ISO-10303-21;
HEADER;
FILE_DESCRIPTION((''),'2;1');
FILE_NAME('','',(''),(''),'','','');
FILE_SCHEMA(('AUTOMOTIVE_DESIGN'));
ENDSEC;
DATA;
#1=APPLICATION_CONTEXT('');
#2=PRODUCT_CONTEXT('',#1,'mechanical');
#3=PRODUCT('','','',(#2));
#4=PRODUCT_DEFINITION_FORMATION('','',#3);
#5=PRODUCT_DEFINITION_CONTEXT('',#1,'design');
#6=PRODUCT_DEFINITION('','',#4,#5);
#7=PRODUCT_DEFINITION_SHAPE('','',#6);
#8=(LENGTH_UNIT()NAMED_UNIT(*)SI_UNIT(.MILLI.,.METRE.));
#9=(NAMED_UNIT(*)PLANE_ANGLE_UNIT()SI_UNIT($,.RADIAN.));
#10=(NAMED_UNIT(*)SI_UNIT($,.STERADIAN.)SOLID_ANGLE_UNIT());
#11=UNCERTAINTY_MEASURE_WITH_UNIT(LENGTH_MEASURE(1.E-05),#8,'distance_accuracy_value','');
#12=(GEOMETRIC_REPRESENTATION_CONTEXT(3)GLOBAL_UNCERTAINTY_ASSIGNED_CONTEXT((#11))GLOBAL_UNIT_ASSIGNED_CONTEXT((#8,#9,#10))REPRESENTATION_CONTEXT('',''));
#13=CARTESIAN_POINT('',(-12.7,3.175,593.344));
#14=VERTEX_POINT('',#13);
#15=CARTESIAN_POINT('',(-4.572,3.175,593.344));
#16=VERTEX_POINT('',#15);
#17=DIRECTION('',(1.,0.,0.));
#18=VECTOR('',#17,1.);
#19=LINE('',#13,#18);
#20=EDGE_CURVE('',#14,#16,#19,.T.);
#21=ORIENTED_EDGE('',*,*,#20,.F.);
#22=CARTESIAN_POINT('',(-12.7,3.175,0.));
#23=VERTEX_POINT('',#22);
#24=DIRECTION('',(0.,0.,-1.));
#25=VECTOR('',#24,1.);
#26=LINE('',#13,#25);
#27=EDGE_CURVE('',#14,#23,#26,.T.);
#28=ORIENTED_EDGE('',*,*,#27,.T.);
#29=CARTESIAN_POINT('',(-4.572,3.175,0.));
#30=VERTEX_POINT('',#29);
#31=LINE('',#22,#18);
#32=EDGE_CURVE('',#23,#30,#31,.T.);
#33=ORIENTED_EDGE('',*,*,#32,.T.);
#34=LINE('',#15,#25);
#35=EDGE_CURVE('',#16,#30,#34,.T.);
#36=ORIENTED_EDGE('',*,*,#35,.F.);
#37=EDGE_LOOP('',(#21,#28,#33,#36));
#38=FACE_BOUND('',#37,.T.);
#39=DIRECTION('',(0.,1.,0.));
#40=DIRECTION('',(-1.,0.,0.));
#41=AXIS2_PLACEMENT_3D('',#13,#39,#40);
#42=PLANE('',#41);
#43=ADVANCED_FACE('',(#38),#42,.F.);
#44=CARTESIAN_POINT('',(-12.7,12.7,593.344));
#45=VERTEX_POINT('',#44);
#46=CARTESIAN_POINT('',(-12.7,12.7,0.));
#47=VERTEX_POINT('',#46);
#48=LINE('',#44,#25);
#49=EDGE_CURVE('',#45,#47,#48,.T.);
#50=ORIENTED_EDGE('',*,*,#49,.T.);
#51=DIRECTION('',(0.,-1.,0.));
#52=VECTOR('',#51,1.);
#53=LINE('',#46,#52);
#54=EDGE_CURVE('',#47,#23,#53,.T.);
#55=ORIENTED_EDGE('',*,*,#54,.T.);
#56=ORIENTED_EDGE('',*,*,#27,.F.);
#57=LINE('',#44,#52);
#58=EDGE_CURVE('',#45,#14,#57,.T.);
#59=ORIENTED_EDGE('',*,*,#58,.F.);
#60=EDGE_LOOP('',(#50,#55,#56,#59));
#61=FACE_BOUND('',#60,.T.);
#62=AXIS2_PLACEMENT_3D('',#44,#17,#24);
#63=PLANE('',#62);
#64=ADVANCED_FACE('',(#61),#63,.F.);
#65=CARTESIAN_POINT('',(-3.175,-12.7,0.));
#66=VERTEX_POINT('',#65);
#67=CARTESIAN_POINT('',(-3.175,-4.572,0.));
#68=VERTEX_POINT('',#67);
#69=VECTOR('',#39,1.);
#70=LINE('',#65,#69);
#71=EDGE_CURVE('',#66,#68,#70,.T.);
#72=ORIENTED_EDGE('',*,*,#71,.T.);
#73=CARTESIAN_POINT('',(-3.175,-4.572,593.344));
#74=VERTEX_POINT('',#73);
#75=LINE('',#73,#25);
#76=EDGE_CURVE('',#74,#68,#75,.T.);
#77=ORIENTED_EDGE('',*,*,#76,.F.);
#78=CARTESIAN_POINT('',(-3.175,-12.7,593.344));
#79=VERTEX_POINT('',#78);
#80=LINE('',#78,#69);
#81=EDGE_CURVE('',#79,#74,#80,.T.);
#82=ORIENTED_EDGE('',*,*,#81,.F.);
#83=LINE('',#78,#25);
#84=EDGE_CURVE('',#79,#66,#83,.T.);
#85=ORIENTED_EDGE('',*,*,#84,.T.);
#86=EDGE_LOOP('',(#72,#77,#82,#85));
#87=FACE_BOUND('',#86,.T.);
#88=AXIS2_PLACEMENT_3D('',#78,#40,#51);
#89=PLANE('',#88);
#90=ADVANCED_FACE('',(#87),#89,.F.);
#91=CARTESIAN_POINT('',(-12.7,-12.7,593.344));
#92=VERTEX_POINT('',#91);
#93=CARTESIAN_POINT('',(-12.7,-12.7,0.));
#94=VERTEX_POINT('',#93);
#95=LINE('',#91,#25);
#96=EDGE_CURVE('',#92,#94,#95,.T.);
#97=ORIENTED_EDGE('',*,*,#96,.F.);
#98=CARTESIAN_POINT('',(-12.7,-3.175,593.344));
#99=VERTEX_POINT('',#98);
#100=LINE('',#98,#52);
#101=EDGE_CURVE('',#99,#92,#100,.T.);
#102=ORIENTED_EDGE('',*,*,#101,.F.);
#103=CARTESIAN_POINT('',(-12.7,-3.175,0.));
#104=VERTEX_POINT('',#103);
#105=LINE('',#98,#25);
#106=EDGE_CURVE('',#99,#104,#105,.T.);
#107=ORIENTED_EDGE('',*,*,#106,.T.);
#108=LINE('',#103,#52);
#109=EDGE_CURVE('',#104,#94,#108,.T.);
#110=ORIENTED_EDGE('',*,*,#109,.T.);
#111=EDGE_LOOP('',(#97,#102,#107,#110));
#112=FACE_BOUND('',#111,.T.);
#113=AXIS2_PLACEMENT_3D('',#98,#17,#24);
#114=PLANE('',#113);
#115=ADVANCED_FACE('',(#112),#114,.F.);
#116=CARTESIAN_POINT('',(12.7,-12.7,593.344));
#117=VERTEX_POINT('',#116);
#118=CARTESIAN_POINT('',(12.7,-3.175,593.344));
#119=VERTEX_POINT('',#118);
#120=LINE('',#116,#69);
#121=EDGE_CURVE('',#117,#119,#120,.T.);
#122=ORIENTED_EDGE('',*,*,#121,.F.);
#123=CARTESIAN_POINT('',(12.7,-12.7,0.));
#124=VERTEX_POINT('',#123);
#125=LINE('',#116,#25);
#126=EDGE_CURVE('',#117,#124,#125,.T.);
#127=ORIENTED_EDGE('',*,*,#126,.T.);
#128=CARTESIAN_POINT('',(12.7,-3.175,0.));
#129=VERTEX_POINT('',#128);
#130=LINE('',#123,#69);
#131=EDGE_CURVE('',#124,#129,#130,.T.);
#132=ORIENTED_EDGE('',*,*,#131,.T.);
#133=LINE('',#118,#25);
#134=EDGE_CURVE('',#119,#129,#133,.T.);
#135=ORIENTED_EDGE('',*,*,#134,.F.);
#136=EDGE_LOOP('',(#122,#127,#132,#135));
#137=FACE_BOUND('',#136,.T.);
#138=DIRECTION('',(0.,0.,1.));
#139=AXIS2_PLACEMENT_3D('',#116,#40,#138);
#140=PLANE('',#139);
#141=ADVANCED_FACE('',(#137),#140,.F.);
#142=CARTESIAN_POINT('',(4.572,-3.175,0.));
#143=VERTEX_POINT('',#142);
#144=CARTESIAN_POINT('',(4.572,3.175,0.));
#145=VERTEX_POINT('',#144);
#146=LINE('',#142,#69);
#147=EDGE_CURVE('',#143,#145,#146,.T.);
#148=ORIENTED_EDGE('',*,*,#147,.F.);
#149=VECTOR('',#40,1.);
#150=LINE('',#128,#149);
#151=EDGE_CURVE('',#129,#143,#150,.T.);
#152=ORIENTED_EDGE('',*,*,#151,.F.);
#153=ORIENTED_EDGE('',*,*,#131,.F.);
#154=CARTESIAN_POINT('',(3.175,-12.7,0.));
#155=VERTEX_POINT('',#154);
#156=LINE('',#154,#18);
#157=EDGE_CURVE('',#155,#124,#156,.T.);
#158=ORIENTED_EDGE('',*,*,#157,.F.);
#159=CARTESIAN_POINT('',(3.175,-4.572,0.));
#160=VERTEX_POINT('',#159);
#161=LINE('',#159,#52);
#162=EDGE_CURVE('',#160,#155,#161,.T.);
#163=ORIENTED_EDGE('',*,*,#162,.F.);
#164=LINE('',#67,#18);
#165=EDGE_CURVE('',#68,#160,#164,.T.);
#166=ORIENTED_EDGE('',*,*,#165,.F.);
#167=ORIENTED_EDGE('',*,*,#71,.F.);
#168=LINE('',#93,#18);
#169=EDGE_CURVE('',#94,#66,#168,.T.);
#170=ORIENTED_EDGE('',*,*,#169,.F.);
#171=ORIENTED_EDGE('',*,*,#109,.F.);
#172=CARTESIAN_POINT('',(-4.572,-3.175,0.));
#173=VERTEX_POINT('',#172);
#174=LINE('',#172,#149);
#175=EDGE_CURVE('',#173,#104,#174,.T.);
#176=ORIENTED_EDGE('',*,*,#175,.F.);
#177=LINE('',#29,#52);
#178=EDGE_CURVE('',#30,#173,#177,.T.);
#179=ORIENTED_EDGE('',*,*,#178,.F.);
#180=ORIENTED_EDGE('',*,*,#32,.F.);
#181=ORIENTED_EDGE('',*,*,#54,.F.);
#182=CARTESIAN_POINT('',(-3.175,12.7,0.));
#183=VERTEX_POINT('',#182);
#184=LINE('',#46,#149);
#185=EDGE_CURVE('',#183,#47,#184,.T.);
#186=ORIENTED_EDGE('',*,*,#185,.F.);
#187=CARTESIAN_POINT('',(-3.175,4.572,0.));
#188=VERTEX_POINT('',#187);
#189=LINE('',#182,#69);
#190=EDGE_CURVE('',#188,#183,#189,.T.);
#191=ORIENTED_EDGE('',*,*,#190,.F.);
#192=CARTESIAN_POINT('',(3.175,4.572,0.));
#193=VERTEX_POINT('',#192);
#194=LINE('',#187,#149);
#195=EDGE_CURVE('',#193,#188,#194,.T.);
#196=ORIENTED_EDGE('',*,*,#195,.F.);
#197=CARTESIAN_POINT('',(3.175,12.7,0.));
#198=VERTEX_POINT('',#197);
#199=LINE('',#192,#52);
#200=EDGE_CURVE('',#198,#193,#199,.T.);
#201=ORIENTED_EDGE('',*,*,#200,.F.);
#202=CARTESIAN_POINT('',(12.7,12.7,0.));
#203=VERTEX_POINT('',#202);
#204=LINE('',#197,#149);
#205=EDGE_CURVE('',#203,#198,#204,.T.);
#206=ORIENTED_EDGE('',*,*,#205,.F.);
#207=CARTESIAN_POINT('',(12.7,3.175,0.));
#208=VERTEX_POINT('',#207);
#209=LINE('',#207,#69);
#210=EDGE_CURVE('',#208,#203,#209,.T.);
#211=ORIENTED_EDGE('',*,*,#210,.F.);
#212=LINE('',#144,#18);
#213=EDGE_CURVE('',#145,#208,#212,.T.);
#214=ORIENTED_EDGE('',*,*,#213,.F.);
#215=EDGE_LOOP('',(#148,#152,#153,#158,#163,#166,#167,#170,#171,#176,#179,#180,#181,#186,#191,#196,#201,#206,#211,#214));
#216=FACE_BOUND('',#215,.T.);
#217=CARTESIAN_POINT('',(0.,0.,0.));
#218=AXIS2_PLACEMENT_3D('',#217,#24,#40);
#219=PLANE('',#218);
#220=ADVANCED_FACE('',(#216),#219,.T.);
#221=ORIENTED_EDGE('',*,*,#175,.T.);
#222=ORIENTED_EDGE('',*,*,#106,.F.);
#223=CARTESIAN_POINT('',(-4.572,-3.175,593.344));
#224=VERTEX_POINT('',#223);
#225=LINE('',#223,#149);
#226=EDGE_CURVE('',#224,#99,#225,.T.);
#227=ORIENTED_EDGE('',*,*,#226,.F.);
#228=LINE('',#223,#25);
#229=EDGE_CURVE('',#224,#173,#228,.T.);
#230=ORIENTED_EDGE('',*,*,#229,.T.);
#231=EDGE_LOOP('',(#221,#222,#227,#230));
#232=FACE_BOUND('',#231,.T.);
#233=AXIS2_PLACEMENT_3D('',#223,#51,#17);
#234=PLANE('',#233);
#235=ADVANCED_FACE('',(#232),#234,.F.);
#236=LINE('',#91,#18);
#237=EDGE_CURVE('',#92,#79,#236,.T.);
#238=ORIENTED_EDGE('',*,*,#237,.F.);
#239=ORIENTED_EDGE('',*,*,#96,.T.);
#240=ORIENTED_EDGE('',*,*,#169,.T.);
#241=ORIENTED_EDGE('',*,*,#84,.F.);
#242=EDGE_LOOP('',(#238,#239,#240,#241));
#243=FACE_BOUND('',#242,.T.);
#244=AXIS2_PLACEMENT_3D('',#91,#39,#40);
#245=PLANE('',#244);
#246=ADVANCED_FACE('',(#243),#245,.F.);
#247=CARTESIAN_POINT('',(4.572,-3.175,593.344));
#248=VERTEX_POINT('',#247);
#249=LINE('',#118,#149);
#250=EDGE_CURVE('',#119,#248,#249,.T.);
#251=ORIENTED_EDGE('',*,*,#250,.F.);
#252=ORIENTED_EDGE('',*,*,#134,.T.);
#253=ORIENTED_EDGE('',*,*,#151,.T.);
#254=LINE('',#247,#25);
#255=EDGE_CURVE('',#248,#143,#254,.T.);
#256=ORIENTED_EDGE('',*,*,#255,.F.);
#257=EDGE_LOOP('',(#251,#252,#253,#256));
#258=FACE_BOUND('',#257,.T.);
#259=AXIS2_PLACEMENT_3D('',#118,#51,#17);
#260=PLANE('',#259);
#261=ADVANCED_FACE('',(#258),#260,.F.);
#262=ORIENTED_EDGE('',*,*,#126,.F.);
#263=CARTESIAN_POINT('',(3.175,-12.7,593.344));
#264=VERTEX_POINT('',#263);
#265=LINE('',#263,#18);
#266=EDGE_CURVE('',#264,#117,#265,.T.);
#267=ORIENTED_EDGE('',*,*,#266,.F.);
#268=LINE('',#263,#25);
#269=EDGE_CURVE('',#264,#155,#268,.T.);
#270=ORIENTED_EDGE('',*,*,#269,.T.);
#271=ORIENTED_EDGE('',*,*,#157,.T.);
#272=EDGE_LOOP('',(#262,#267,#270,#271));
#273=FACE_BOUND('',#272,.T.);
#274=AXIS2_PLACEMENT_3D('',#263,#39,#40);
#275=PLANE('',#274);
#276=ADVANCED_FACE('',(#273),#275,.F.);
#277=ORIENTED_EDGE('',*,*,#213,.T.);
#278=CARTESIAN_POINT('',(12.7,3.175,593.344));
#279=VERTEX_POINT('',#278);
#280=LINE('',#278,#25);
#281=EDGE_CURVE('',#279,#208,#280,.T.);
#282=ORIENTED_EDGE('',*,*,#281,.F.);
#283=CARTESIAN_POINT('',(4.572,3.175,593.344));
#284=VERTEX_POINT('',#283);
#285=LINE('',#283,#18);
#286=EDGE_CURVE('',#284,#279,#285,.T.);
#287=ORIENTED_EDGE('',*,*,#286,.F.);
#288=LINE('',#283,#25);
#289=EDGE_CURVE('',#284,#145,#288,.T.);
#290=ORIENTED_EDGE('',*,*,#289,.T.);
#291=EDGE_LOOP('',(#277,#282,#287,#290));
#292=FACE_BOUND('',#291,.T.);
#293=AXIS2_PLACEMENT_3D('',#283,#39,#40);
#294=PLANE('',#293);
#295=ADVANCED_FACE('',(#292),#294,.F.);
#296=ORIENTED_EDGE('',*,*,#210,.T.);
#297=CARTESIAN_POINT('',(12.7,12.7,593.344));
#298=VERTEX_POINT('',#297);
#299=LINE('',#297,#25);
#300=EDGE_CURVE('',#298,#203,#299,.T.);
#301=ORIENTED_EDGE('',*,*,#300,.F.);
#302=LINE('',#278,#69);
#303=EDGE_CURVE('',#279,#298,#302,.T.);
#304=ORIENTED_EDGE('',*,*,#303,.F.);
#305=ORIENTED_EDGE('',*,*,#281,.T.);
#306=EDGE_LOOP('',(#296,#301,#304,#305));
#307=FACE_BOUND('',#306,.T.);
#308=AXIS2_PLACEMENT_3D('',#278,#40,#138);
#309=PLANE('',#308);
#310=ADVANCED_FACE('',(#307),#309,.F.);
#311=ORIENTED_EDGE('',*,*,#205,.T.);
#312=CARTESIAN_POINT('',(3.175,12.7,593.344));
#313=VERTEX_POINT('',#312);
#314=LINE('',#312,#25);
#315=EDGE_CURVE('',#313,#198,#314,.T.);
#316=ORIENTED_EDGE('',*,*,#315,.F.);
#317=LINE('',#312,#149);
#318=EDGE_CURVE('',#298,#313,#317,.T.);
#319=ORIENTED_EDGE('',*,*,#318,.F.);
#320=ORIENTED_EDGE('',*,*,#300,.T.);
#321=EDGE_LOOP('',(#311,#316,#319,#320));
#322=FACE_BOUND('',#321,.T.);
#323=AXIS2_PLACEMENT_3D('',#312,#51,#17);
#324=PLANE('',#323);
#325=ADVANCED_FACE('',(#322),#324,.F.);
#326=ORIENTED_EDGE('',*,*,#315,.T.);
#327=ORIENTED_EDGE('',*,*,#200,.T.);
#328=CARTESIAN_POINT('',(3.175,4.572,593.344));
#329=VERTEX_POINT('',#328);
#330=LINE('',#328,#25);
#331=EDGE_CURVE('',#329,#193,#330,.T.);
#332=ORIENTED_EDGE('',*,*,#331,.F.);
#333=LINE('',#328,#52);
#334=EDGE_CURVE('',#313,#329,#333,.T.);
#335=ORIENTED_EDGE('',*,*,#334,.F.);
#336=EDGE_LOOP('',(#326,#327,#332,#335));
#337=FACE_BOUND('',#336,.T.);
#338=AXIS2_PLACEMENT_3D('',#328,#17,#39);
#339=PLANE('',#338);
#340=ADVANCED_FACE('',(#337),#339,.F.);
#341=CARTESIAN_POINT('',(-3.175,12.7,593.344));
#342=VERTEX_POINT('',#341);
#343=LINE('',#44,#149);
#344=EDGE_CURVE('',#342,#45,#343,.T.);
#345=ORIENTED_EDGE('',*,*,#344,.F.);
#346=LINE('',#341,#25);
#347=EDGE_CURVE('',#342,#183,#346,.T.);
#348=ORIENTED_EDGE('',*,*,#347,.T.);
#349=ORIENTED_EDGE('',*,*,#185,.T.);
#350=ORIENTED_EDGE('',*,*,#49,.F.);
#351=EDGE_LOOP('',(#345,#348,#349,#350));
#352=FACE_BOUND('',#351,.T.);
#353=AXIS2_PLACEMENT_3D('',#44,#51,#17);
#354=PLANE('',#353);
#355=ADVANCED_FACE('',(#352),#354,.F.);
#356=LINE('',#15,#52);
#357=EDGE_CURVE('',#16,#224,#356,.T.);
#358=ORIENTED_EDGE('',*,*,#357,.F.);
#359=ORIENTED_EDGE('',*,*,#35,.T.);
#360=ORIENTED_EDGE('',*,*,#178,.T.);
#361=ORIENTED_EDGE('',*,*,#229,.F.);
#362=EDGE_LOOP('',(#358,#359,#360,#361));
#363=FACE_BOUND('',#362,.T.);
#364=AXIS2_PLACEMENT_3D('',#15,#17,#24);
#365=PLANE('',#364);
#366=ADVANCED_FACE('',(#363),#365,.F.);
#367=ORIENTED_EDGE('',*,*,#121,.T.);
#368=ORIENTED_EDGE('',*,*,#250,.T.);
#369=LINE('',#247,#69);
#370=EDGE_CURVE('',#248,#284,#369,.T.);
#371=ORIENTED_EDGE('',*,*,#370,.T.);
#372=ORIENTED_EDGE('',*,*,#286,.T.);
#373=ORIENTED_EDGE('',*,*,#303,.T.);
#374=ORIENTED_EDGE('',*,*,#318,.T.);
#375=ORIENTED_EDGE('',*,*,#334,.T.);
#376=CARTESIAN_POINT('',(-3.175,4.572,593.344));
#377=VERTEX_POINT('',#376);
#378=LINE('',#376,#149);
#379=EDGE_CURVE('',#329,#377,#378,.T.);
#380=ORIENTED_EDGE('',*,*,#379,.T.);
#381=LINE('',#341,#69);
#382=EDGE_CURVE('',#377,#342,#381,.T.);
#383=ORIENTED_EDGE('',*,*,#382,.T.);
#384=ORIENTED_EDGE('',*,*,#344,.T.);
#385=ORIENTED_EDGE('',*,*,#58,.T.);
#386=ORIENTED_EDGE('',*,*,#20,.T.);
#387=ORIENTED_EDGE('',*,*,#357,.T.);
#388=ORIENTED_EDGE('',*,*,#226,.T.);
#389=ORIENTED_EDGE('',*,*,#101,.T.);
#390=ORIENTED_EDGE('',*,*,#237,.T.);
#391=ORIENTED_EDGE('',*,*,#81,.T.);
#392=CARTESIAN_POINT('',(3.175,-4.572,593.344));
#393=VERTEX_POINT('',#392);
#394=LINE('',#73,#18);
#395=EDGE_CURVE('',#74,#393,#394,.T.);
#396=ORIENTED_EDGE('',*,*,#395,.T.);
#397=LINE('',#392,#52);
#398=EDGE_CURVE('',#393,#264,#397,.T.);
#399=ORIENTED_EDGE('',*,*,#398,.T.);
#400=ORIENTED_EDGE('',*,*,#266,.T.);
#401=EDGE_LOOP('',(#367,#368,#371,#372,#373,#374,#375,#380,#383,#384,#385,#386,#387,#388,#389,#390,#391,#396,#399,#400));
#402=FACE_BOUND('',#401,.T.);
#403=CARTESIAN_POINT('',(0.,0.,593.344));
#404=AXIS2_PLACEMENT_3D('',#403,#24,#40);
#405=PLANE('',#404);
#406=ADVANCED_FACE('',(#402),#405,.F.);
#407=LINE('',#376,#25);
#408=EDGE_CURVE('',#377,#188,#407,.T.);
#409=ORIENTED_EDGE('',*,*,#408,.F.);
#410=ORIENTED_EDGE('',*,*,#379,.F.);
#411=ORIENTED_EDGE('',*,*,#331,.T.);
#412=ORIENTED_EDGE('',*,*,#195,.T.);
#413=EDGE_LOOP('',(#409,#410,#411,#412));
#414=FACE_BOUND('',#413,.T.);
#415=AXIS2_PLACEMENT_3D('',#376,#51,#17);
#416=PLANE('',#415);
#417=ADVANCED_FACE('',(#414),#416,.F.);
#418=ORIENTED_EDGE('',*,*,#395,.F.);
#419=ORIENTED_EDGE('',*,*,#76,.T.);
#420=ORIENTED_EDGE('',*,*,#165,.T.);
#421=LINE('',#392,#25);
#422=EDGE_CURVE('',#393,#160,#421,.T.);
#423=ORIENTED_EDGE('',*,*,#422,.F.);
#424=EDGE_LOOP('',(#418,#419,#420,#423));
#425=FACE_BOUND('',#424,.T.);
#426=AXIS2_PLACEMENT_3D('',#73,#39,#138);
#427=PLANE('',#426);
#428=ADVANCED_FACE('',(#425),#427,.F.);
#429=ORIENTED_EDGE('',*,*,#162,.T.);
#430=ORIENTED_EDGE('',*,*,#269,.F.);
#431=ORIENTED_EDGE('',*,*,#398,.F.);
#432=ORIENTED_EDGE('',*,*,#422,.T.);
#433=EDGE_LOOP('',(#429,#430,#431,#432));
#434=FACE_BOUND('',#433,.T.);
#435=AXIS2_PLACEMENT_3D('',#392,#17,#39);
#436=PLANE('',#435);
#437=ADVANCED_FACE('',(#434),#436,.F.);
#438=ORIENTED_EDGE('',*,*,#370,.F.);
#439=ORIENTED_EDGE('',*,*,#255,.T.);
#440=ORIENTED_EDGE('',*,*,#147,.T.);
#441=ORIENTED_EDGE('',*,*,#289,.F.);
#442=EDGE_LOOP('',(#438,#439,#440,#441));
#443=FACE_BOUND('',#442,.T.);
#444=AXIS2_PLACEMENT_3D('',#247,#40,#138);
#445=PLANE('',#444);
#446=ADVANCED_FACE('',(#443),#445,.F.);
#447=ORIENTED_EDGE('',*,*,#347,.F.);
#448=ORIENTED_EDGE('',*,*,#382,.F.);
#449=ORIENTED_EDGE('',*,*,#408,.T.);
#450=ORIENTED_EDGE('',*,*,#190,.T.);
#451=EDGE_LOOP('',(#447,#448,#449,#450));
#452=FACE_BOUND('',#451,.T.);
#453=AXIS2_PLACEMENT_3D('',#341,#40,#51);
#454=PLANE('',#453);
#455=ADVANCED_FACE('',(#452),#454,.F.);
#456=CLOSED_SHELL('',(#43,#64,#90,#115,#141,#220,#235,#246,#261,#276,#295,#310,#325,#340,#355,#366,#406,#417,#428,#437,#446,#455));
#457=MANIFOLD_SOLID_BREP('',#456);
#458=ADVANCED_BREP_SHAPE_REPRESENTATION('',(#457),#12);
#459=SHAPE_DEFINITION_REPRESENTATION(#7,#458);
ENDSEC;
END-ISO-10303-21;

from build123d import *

# Parameters (mm, degrees)
BOSS_EXTRUDE1_DEPTH = 593.344


with BuildPart() as part:
    # Sketch1 → Boss-Extrude1 (new body)
    with BuildSketch(Plane.XY):
        Polygon((-12.7, 12.7), (-12.7, 3.175), (-4.572, 3.175), (-4.572, -3.175), (-12.7, -3.175), (-12.7, -12.7), (-3.175, -12.7), (-3.175, -4.572), (3.175, -4.572), (3.175, -12.7), (12.7, -12.7), (12.7, -3.175), (4.572, -3.175), (4.572, 3.175), (12.7, 3.175), (12.7, 12.7), (3.175, 12.7), (3.175, 4.572), (-3.175, 4.572), (-3.175, 12.7), align=None)
    extrude(amount=BOSS_EXTRUDE1_DEPTH)


solid = part.part
